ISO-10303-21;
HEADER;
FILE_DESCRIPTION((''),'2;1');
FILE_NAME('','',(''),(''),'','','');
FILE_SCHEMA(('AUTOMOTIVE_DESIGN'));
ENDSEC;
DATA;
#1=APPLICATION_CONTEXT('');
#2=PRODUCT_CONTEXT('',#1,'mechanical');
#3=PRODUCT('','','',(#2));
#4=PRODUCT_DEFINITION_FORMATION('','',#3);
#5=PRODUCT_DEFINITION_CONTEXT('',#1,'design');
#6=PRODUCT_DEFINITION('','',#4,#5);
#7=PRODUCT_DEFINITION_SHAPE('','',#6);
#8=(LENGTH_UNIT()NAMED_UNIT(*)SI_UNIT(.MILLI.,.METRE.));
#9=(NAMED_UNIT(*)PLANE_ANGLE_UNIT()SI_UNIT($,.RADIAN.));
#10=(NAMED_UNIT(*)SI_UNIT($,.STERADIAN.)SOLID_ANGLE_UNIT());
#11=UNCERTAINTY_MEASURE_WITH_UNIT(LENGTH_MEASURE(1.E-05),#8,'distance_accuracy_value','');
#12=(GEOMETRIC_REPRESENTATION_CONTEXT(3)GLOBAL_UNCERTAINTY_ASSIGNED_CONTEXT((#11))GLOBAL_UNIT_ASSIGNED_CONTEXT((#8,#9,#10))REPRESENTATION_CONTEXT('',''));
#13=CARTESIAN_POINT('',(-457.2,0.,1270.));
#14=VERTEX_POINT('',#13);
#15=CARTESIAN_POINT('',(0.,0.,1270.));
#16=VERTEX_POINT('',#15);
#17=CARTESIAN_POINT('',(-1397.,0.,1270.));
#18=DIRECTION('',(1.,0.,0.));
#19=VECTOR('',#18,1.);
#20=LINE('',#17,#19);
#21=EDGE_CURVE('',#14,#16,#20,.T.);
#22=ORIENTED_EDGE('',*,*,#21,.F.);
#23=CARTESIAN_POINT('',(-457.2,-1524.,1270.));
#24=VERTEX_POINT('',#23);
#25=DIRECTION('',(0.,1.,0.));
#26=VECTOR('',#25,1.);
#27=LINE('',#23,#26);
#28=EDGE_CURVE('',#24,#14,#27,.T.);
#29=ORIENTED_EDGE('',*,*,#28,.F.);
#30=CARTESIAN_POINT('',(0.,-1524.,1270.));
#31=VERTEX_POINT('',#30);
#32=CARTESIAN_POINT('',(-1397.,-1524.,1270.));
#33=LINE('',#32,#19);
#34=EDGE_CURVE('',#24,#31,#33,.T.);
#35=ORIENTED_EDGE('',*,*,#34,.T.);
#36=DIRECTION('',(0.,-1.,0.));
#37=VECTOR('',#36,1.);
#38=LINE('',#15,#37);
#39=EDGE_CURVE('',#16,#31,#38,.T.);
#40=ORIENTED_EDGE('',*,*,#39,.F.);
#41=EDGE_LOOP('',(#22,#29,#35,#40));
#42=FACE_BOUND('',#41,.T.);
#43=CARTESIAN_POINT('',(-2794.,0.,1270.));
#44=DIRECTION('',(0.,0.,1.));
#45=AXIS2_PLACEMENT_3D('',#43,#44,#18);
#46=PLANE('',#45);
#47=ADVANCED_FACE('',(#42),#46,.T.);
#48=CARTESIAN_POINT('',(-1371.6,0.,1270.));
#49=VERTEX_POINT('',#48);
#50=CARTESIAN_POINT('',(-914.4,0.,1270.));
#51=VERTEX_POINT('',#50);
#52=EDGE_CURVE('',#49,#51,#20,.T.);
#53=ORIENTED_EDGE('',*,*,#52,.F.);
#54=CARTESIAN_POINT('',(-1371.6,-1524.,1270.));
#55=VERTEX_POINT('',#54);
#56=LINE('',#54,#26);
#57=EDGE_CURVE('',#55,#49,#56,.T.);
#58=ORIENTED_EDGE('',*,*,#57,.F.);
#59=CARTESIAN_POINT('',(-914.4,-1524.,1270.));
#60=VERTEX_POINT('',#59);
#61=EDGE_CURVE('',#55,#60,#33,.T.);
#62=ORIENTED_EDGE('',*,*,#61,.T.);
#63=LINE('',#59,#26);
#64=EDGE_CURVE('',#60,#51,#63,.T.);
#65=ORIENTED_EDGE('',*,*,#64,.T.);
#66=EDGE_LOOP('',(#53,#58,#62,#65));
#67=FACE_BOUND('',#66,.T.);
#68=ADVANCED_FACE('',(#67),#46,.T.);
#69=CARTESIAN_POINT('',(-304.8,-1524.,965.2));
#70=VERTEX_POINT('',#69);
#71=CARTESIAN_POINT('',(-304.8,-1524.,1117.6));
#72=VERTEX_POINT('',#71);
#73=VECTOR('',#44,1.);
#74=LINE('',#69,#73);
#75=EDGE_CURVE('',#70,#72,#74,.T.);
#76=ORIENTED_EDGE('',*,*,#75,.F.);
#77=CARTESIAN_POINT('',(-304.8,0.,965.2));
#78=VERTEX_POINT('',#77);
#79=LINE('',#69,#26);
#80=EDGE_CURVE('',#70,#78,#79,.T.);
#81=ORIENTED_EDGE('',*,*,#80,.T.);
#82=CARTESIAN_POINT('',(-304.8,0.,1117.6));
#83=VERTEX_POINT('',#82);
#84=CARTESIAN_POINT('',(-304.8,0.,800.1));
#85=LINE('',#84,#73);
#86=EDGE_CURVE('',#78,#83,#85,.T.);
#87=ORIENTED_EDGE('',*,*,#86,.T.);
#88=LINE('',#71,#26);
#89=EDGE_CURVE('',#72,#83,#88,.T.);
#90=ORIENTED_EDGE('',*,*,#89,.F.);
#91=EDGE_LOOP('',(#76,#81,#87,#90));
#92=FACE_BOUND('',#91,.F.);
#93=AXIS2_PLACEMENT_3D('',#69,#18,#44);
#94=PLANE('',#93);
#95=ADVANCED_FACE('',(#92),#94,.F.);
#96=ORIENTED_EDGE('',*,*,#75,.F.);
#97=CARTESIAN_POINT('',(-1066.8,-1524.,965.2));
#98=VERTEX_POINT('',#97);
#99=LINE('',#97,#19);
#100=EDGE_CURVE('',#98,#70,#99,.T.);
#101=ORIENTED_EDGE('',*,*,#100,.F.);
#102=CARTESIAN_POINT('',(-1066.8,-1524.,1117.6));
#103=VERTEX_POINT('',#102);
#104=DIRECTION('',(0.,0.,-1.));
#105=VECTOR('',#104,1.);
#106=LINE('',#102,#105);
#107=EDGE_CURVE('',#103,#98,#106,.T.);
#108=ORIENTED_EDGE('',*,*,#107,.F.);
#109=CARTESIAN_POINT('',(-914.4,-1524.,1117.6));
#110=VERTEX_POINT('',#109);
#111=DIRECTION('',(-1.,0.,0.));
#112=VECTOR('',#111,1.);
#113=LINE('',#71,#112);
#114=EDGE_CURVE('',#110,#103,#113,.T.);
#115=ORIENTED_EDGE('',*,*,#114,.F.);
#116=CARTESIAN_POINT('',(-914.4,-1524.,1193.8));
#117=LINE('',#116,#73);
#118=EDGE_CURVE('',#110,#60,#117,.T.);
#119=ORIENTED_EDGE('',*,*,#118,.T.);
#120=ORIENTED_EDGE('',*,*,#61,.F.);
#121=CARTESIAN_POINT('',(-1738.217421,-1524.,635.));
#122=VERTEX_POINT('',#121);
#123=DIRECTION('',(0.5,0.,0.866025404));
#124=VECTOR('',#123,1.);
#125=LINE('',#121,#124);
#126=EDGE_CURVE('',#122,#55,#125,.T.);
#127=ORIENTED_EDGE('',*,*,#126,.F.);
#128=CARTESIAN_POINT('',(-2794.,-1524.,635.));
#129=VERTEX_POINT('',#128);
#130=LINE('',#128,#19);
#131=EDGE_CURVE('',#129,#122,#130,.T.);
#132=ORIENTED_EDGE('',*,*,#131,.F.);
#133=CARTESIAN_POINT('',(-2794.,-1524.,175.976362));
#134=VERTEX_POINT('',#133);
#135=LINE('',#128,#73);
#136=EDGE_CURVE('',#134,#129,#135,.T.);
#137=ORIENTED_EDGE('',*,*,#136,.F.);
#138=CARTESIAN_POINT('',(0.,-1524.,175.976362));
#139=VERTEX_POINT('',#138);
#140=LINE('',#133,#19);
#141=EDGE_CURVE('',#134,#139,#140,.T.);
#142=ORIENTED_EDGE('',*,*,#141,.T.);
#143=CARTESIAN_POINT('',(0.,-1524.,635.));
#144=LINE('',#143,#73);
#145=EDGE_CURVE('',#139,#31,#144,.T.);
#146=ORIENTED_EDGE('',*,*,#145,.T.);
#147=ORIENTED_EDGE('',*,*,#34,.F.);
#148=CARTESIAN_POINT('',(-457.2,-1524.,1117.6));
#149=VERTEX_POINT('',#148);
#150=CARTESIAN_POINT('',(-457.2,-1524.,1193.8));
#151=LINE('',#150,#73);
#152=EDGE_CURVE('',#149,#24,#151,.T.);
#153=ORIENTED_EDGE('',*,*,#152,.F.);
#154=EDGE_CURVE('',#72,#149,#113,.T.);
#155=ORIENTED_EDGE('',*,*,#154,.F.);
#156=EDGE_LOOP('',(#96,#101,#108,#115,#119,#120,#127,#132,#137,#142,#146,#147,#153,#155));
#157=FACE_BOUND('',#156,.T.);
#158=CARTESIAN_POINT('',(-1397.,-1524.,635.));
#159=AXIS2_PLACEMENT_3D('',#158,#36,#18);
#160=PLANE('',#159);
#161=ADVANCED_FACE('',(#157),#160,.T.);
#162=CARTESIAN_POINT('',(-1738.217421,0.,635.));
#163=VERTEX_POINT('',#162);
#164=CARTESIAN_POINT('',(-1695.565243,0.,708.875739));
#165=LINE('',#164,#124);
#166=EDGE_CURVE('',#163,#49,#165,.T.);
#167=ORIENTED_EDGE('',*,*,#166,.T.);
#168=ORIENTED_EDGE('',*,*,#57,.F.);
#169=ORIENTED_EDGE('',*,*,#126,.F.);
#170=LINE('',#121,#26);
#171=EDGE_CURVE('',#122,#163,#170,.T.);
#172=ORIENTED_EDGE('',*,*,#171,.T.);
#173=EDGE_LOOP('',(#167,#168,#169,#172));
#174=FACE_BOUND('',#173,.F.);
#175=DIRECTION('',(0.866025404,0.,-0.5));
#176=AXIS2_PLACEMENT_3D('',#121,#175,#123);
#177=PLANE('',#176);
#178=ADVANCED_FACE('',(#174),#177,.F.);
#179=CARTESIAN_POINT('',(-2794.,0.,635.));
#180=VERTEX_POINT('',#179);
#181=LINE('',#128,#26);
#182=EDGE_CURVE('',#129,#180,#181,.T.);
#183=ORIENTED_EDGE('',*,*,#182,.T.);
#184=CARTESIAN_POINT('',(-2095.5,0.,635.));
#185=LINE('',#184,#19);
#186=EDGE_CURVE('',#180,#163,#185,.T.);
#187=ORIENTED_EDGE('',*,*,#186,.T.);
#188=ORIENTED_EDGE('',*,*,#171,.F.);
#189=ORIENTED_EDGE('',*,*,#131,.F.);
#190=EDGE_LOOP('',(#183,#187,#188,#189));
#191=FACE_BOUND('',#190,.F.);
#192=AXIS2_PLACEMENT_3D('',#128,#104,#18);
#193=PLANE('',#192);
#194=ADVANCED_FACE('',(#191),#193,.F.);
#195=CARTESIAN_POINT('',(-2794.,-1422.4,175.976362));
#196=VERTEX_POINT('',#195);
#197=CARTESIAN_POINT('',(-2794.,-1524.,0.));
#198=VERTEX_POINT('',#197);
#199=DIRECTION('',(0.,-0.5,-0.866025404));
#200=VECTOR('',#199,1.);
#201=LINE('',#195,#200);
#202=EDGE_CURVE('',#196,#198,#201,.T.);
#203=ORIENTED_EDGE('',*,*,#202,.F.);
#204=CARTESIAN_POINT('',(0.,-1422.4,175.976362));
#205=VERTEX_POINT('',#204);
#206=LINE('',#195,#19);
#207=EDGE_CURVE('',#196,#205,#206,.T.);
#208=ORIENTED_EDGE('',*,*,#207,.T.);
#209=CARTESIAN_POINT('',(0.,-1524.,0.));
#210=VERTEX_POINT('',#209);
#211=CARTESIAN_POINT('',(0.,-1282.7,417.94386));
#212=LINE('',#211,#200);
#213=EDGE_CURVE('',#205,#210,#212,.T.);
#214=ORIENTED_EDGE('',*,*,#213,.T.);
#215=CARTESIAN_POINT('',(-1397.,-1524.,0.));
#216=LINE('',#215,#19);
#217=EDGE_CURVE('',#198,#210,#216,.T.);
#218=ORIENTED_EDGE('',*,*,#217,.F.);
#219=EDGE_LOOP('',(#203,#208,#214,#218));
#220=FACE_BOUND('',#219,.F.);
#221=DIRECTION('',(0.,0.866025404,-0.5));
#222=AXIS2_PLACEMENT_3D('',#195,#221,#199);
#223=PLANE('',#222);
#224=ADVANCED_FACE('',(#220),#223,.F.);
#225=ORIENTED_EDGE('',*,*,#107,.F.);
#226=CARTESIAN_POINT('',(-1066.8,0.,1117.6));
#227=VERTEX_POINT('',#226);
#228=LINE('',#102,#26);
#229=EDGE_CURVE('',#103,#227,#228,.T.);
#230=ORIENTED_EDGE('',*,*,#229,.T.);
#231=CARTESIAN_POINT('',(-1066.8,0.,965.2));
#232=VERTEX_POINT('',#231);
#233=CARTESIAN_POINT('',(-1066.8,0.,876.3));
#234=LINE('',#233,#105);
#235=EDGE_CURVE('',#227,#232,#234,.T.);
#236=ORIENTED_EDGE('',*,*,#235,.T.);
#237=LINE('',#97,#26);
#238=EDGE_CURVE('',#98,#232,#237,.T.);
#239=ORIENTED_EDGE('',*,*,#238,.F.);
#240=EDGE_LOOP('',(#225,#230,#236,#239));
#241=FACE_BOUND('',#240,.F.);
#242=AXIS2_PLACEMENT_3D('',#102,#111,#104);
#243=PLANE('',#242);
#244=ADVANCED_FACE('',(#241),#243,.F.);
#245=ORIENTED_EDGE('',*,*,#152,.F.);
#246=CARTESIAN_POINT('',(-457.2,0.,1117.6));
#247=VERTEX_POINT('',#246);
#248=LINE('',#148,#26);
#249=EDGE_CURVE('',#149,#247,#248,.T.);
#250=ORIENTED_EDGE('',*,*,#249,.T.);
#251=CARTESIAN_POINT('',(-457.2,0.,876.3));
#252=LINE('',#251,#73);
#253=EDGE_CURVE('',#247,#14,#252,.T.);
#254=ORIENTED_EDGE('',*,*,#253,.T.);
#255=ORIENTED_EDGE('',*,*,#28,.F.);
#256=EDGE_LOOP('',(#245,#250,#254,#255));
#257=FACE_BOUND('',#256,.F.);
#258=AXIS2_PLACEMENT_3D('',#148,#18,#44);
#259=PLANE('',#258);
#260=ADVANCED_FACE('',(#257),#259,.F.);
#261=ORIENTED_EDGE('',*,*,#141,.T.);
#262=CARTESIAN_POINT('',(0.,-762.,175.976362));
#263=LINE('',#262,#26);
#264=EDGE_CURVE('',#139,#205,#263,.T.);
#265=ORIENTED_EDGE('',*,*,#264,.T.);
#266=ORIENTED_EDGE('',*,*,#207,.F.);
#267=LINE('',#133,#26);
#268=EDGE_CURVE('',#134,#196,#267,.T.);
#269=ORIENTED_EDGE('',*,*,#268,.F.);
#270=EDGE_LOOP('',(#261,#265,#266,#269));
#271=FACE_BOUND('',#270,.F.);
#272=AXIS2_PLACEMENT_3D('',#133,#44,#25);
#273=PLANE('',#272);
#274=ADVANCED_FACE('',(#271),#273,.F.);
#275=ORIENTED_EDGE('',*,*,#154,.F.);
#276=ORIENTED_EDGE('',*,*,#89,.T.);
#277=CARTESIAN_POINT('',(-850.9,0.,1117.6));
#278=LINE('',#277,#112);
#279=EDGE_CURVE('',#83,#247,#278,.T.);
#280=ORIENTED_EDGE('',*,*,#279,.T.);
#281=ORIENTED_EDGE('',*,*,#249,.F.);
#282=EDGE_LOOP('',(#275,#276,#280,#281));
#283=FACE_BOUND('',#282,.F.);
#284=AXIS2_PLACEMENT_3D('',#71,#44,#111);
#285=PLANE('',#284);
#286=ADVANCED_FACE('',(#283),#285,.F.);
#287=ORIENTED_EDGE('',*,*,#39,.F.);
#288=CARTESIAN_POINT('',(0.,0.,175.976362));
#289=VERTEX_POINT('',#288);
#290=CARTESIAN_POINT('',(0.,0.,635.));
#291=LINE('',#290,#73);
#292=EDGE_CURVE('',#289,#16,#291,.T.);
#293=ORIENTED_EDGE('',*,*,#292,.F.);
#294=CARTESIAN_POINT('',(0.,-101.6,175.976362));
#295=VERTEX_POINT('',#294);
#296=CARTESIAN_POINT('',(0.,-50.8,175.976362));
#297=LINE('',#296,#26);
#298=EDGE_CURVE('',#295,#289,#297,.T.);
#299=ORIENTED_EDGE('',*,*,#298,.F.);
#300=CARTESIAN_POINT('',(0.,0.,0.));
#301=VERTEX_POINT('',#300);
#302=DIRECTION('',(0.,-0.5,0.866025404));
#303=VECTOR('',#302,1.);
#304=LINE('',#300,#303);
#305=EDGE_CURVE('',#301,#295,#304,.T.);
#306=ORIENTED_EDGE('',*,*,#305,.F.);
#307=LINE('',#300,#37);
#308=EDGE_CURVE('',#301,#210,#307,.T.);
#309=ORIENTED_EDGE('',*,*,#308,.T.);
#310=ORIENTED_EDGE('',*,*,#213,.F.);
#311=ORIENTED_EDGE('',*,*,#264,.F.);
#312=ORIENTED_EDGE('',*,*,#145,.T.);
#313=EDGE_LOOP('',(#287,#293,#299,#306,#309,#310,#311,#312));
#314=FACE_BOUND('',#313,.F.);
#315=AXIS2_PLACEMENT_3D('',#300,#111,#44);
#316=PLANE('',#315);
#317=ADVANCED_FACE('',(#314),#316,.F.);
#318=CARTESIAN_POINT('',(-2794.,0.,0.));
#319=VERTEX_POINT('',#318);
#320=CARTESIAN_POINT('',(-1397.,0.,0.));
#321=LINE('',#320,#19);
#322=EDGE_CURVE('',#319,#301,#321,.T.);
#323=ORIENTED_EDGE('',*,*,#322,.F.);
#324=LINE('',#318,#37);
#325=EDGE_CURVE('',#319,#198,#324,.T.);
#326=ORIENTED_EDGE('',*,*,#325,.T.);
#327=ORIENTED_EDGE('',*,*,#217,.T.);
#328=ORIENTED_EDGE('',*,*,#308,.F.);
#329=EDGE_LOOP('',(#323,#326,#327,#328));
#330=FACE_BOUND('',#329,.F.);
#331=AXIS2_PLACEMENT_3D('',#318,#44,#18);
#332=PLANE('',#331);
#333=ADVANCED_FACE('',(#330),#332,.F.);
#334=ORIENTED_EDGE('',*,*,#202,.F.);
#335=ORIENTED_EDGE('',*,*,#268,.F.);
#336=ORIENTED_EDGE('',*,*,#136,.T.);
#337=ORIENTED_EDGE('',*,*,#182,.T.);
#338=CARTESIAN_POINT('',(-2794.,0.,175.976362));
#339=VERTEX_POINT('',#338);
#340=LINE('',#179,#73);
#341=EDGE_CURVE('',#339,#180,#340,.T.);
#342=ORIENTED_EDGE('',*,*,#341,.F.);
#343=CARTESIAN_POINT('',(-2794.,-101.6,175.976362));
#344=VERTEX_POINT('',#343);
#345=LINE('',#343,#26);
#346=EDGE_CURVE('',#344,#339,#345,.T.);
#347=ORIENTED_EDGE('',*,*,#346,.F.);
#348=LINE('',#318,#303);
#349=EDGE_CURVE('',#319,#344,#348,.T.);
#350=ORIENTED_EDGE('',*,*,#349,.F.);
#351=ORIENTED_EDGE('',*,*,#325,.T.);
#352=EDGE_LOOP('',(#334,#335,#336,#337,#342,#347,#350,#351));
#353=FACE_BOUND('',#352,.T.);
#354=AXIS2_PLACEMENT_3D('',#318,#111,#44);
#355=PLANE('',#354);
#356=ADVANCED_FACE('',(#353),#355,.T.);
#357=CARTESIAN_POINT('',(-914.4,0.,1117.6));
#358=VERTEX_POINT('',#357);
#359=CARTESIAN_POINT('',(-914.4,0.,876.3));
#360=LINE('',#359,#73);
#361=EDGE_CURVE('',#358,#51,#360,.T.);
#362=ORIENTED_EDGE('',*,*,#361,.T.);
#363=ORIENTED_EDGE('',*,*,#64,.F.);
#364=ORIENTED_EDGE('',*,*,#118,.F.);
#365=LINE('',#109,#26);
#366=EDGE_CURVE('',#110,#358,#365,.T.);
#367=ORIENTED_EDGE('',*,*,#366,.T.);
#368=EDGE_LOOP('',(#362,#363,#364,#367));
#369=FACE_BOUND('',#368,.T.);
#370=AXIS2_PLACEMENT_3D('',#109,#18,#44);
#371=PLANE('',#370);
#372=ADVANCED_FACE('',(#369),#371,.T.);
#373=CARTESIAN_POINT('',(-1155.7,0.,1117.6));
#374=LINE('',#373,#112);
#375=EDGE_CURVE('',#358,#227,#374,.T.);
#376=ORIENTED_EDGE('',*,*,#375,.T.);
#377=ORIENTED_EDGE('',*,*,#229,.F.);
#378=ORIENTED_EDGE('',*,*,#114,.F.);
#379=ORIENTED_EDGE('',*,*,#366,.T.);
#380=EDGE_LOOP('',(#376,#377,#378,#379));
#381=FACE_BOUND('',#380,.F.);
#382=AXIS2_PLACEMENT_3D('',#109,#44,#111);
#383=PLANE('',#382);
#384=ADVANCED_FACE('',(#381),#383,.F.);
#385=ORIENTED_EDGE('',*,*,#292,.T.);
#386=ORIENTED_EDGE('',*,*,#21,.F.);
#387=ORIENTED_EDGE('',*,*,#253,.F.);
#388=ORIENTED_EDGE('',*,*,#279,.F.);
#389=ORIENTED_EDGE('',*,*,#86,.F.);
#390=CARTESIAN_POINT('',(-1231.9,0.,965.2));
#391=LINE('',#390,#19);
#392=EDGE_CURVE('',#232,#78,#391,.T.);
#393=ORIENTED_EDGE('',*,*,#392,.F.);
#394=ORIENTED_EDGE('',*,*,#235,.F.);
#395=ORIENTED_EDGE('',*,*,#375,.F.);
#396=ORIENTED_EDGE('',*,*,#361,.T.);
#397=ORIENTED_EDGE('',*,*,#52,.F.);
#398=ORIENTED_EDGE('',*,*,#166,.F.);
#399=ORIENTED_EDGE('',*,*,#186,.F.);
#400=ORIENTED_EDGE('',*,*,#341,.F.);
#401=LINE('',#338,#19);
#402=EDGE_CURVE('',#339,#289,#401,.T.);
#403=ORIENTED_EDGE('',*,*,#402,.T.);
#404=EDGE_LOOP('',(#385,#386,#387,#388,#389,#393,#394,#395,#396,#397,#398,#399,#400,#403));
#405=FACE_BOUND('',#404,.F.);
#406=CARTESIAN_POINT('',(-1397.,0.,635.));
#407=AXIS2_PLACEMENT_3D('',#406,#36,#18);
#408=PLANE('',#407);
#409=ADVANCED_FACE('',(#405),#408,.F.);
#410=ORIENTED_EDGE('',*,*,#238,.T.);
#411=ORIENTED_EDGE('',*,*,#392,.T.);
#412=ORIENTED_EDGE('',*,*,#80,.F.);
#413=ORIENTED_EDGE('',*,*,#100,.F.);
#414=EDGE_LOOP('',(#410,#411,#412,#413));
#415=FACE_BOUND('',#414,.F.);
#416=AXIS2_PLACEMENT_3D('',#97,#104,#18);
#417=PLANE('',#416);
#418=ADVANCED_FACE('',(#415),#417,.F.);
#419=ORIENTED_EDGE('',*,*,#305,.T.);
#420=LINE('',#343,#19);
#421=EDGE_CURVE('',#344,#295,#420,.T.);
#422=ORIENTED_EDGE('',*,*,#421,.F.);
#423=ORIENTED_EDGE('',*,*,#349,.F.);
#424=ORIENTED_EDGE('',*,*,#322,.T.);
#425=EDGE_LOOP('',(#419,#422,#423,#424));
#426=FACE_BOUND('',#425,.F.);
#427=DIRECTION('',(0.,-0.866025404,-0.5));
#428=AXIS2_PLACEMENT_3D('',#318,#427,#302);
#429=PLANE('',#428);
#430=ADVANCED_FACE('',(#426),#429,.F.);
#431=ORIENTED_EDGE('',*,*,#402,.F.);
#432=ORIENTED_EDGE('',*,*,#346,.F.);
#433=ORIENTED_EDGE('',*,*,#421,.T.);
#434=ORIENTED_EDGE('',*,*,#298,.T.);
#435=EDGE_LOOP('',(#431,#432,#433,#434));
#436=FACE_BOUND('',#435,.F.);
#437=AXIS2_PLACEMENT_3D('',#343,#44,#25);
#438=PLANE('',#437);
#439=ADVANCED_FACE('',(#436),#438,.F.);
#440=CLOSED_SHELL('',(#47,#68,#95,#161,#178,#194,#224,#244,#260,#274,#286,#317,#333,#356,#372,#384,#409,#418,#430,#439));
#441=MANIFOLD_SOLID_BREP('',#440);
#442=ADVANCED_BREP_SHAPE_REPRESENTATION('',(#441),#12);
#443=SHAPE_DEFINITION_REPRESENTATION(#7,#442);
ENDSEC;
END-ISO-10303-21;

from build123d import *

# Parameters (mm, degrees)
F0_W     = 2794
F0_H     = 1270
F1_DEPTH = 1524
F2_W     = 457.2
F2_H     = 152.4
F3_DEPTH = 1524.001
F5_DEPTH = 1524.001
F7_DEPTH = 2794.001


with BuildPart() as f1:
    # F0 (on Front) → F1 (new body)
    with BuildSketch(Plane.XZ):
        with Locations((-1397, 635)):
            Rectangle(F0_W, F0_H)
    extrude(amount=F1_DEPTH)

    # F2 (on face) → F3 (cut, through all)
    with BuildSketch(Plane.XZ.offset(1524)):
        Polygon((-1066.8, 965.2), (-304.8, 965.2), (-304.8, 1117.6), (-457.2, 1117.6), (-914.4, 1117.6), (-1066.8, 1117.6), align=None)
        with Locations((-685.8, 1193.8)):
            Rectangle(F2_W, F2_H)
    extrude(amount=-F3_DEPTH, mode=Mode.SUBTRACT)

    # F4 (on face) → F5 (cut, through all)
    with BuildSketch(Plane.XZ.offset(1524)):
        Polygon((-1738.217421, 635), (-1371.6, 1270), (-2794, 1270), (-2794, 635), align=None)
    extrude(amount=-F5_DEPTH, mode=Mode.SUBTRACT)

    # F6 (on face) → F7 (cut, through all)
    with BuildSketch(Plane(origin=(-2794, 0, 0), x_dir=(0, -1, 0), z_dir=(-1, 0, 0))):
        Polygon((0, 175.976362), (0, 0), (101.6, 175.976362), align=None)
        Polygon((1422.4, 175.976362), (1524, 0), (1524, 175.976362), align=None)
    extrude(amount=-F7_DEPTH, mode=Mode.SUBTRACT)


solid = f1.part
